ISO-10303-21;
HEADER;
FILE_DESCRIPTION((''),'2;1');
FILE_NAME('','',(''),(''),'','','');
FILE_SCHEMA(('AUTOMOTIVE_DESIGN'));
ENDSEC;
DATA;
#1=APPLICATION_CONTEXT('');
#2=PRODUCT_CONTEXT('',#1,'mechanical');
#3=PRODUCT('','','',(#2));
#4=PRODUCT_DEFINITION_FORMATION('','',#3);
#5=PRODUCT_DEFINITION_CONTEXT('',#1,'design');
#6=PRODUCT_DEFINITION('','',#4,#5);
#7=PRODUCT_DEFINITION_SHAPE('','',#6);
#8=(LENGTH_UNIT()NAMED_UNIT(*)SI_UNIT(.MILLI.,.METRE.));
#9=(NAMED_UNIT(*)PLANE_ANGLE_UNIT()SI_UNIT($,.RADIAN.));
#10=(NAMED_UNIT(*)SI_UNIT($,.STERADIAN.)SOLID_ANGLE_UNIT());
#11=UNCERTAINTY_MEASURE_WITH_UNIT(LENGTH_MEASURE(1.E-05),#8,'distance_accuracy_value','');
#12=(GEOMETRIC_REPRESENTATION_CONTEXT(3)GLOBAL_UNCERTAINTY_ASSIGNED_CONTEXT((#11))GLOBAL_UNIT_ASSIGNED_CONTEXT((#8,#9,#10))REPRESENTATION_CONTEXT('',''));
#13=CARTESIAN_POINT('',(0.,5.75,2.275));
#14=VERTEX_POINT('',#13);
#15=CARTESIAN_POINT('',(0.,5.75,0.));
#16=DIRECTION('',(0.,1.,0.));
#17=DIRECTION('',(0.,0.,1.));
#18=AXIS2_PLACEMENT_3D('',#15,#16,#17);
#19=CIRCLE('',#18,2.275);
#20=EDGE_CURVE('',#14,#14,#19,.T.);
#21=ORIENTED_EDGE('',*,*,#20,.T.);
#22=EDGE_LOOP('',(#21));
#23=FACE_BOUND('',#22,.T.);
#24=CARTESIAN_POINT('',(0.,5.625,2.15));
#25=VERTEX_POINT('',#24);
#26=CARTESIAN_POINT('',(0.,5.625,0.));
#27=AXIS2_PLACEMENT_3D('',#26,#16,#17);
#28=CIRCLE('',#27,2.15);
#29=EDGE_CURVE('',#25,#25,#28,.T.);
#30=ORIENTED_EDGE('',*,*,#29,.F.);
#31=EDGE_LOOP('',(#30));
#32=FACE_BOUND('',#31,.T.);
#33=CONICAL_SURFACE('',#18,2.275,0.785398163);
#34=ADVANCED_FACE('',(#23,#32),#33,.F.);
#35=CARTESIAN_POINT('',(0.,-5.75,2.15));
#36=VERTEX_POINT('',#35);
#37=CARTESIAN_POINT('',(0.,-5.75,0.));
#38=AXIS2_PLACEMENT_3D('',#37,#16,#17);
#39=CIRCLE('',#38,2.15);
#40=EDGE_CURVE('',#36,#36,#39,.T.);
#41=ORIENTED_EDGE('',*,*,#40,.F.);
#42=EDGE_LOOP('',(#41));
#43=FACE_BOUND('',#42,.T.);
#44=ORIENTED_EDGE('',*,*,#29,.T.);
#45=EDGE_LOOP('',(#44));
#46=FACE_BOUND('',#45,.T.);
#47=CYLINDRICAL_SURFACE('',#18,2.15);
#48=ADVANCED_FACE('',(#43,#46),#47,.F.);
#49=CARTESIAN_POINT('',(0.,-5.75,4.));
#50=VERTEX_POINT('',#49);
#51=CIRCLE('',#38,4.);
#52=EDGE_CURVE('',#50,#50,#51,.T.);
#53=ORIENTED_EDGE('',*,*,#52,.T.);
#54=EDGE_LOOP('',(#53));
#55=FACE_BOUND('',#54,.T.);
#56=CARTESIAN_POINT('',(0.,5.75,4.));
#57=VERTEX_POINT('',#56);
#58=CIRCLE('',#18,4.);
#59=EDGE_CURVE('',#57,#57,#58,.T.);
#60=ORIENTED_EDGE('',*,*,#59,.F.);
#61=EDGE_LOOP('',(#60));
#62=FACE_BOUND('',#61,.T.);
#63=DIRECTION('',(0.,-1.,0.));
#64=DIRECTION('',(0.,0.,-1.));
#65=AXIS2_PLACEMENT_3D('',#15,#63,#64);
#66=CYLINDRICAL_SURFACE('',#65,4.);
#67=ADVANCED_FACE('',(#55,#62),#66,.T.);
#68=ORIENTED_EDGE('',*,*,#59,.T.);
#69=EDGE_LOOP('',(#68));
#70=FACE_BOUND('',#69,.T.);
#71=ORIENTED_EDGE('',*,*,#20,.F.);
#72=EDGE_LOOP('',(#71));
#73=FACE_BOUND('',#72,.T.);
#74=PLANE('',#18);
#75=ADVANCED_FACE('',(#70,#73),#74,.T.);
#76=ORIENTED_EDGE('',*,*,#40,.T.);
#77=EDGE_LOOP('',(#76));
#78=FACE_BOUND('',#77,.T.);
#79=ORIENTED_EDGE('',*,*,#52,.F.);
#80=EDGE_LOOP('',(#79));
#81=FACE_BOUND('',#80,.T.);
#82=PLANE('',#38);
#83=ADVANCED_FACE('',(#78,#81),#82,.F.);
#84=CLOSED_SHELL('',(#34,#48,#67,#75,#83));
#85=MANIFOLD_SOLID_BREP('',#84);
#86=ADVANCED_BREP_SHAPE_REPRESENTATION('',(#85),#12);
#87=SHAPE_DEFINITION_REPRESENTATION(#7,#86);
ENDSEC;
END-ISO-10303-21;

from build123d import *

# Parameters (mm, degrees)
SKETCH1_R                      = 4
BOSS_EXTRUDE1_DEPTH            = 5.75
M4_CLEARANCE_HOLE1_D           = 4.3
M4_CLEARANCE_HOLE1_CSINK_D     = 4.55
M4_CLEARANCE_HOLE1_CSINK_ANGLE = 90


with BuildPart() as part:
    # Sketch1 → Boss-Extrude1 (new body, symmetric)
    with BuildSketch(Plane(origin=(0, 0, 0), x_dir=(1, 0, 0), z_dir=(0, 1, 0))):
        Circle(SKETCH1_R)
    extrude(amount=BOSS_EXTRUDE1_DEPTH, both=True)

    # M4 Clearance Hole1 (through all)
    with Locations(Plane(origin=(0, 5.75, 0), x_dir=(1, 0, 0), z_dir=(0, 1, 0))):
        with Locations((0, 0)):
            CounterSinkHole(M4_CLEARANCE_HOLE1_D / 2, M4_CLEARANCE_HOLE1_CSINK_D / 2, counter_sink_angle=M4_CLEARANCE_HOLE1_CSINK_ANGLE)


solid = part.part
